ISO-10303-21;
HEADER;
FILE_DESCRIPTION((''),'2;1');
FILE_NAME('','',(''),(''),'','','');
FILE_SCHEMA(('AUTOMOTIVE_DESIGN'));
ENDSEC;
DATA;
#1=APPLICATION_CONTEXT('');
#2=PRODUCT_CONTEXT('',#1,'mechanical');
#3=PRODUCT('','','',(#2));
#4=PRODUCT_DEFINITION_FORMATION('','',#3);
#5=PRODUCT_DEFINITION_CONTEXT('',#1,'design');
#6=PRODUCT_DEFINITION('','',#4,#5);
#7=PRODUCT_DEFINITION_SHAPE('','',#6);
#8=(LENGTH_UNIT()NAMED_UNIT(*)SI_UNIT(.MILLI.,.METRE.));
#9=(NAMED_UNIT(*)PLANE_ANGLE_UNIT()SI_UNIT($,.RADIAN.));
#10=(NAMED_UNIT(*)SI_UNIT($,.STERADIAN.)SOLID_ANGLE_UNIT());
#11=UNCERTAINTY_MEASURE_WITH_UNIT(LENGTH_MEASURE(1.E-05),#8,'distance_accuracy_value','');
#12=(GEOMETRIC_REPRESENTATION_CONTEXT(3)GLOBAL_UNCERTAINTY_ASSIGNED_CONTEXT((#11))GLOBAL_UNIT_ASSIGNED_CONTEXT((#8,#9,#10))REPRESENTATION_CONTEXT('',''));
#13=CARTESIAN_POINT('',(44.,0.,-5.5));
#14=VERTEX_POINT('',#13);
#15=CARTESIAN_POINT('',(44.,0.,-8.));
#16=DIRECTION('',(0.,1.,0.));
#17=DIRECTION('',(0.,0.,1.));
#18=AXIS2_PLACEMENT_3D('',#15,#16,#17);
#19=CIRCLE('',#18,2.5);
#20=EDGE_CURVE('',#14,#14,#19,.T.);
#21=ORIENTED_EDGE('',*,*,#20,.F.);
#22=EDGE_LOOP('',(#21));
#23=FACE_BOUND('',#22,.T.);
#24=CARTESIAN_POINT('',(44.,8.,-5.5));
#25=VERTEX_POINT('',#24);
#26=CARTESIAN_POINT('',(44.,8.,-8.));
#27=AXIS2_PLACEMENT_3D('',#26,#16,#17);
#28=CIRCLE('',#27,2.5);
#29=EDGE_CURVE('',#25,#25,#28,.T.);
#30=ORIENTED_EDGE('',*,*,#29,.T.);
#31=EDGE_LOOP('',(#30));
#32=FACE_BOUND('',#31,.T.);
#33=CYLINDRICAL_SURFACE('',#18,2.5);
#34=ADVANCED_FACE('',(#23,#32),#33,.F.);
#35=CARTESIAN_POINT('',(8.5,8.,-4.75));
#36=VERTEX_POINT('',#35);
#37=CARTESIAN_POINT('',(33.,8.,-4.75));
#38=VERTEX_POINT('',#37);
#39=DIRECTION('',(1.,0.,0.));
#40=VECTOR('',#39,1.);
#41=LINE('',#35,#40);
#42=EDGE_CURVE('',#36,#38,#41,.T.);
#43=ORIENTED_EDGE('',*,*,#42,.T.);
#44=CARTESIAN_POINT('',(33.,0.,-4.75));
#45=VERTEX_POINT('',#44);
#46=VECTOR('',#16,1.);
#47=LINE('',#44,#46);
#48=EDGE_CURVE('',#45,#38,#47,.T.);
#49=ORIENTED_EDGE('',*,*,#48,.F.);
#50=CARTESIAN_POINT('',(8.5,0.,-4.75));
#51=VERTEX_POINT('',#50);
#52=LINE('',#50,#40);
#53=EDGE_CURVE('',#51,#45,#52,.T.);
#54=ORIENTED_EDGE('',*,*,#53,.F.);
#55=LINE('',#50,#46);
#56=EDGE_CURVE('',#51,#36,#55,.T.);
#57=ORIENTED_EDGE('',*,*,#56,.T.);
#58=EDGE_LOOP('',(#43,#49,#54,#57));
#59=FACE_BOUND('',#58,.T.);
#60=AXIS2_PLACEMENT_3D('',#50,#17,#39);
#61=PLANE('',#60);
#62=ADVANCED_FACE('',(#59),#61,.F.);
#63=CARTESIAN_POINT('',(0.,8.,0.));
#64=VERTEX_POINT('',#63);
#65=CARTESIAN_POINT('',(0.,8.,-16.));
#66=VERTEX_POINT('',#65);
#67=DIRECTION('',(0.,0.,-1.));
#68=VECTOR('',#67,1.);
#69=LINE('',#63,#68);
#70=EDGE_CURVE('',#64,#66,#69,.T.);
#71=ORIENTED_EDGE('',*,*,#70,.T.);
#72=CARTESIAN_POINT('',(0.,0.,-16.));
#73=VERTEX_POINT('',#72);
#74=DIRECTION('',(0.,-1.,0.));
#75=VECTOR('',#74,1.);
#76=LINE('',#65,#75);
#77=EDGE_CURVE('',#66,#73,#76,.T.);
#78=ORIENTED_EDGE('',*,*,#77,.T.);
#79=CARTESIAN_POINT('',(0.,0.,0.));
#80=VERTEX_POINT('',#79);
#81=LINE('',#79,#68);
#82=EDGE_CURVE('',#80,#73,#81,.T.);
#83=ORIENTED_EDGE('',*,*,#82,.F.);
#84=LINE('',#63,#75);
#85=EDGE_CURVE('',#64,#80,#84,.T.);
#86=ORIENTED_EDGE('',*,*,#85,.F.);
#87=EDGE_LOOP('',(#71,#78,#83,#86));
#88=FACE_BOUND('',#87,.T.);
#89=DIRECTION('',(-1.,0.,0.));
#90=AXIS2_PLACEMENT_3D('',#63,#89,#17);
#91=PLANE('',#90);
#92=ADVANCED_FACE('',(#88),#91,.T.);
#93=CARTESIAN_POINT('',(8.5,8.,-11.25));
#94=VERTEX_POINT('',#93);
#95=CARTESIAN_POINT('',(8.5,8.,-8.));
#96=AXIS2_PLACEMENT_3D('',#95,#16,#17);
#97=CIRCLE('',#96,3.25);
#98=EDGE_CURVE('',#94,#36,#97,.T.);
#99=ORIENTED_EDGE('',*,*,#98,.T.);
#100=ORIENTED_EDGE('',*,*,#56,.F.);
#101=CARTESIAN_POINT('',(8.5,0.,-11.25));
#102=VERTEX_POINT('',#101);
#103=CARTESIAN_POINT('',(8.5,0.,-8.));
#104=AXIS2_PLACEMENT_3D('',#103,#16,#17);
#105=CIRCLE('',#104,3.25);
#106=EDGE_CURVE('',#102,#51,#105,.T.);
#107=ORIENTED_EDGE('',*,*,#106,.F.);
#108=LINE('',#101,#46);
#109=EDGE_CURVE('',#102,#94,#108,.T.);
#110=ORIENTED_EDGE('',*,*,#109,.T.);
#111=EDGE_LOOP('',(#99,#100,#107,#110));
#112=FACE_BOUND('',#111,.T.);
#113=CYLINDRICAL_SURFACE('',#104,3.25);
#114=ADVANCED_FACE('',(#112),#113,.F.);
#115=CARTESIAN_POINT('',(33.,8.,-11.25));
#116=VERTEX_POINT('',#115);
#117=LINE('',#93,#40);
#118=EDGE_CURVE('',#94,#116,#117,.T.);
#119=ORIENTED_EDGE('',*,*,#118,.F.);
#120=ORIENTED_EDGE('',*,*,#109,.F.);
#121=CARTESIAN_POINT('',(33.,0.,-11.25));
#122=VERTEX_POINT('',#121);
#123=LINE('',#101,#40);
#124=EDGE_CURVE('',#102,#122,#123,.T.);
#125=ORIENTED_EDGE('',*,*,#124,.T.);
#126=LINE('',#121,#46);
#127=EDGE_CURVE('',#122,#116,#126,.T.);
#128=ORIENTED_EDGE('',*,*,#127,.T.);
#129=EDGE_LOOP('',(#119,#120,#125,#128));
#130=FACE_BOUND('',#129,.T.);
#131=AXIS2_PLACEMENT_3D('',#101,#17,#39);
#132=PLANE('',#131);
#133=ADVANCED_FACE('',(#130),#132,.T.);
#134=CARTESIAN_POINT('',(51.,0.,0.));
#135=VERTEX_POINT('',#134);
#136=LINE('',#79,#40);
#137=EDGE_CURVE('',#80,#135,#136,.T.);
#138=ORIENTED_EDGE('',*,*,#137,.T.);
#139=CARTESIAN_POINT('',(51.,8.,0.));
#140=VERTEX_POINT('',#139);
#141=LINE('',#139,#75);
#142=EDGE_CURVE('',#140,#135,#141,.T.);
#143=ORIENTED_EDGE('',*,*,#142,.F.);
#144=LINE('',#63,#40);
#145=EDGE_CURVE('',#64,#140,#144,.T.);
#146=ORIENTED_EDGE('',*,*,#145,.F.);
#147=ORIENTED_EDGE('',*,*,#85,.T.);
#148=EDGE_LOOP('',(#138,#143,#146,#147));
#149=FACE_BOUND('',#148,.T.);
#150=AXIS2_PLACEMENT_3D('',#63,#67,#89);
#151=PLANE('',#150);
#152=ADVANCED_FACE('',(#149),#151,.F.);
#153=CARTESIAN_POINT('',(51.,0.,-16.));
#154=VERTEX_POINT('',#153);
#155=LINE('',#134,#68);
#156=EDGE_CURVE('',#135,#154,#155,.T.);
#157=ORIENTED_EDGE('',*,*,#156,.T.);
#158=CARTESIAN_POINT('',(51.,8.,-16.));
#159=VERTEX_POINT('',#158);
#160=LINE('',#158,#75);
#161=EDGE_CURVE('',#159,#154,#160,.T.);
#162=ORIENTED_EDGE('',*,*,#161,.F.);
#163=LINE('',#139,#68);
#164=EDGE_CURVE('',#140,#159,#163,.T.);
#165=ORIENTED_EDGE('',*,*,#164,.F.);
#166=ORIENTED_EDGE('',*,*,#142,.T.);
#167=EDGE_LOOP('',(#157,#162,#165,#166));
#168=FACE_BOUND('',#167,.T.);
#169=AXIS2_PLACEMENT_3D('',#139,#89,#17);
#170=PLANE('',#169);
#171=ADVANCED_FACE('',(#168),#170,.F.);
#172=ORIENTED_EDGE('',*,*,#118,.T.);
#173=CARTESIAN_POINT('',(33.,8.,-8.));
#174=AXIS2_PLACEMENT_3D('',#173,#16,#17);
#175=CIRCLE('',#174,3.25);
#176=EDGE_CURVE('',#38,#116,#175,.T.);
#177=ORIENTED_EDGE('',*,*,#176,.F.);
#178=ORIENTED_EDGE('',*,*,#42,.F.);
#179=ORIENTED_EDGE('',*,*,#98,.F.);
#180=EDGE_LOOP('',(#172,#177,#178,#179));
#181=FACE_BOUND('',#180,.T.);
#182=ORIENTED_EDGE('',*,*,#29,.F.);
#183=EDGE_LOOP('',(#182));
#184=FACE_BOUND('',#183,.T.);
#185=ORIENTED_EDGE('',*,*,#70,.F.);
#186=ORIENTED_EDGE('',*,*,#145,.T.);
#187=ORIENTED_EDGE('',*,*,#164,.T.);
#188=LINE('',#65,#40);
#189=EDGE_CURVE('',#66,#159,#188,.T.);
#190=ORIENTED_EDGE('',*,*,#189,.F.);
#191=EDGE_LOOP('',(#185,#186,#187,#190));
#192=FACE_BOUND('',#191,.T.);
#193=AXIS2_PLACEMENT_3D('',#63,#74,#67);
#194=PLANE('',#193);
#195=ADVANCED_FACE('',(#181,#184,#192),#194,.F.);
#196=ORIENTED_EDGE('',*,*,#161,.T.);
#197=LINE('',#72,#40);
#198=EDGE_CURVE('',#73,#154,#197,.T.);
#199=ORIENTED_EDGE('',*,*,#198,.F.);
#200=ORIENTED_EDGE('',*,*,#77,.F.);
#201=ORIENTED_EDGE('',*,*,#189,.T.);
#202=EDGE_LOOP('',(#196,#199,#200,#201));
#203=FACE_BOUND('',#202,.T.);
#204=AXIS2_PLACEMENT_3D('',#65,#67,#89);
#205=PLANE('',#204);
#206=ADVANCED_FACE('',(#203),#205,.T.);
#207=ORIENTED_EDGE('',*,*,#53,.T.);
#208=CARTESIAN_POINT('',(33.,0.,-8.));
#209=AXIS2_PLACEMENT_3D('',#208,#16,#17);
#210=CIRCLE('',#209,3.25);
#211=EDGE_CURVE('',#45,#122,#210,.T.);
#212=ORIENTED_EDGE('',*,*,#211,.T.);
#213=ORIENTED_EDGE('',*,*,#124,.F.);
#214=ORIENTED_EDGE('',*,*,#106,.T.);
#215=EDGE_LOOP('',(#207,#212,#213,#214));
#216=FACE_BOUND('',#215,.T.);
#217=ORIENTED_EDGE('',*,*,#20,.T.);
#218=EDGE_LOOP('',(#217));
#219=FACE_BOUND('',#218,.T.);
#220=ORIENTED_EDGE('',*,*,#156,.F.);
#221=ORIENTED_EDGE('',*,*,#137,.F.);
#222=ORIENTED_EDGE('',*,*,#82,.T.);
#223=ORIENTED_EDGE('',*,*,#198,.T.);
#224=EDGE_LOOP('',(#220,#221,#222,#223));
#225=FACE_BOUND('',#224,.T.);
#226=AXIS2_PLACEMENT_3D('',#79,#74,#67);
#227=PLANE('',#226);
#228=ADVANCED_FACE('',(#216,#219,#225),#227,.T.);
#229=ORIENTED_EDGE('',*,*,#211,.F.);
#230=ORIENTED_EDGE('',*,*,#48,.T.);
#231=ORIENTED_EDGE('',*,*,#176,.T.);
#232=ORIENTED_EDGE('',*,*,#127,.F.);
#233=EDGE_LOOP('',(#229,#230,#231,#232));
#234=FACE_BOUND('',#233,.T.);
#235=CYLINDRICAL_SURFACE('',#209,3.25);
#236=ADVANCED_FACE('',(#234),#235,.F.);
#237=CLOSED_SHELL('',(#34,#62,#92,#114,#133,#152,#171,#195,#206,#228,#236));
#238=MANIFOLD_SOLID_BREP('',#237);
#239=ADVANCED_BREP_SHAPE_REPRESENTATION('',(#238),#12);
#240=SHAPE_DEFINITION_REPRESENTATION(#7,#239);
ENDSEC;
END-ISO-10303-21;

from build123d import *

# Parameters (mm, degrees)
CROQUIS3_W              = 51
CROQUIS3_H              = 16
SALIENTE_EXTRUIR1_DEPTH = 8
CORTAR_EXTRUIR4_DEPTH   = 55.046276467
CROQUIS32_R             = 2.5
CORTAR_EXTRUIR6_DEPTH   = 55.046276467


with BuildPart() as part:
    # Croquis3 → Saliente-Extruir1 (new body)
    with BuildSketch(Plane(origin=(0, 0, 0), x_dir=(1, 0, 0), z_dir=(0, 1, 0))):
        with Locations((25.5, 8)):
            Rectangle(CROQUIS3_W, CROQUIS3_H)
    extrude(amount=SALIENTE_EXTRUIR1_DEPTH)

    # Croquis15 → Cortar-Extruir4 (cut, through all)
    with BuildSketch(Plane(origin=(0, 8, 0), x_dir=(1, 0, 0), z_dir=(0, 1, 0))):
        with BuildLine():
            Line((8.5, 11.25), (33, 11.25))
            ThreePointArc((33, 11.25), (36.25, 8), (33, 4.75))
            Line((33, 4.75), (8.5, 4.75))
            ThreePointArc((8.5, 4.75), (5.25, 8), (8.5, 11.25))
        make_face()
    extrude(amount=-CORTAR_EXTRUIR4_DEPTH, mode=Mode.SUBTRACT)

    # Croquis32 → Cortar-Extruir6 (cut, through all)
    with BuildSketch(Plane(origin=(0, 8, 0), x_dir=(1, 0, 0), z_dir=(0, 1, 0))):
        with Locations(Location((44, 8, 0), (0, 0, 270))):
            Circle(CROQUIS32_R)
    extrude(amount=-CORTAR_EXTRUIR6_DEPTH, mode=Mode.SUBTRACT)


solid = part.part
